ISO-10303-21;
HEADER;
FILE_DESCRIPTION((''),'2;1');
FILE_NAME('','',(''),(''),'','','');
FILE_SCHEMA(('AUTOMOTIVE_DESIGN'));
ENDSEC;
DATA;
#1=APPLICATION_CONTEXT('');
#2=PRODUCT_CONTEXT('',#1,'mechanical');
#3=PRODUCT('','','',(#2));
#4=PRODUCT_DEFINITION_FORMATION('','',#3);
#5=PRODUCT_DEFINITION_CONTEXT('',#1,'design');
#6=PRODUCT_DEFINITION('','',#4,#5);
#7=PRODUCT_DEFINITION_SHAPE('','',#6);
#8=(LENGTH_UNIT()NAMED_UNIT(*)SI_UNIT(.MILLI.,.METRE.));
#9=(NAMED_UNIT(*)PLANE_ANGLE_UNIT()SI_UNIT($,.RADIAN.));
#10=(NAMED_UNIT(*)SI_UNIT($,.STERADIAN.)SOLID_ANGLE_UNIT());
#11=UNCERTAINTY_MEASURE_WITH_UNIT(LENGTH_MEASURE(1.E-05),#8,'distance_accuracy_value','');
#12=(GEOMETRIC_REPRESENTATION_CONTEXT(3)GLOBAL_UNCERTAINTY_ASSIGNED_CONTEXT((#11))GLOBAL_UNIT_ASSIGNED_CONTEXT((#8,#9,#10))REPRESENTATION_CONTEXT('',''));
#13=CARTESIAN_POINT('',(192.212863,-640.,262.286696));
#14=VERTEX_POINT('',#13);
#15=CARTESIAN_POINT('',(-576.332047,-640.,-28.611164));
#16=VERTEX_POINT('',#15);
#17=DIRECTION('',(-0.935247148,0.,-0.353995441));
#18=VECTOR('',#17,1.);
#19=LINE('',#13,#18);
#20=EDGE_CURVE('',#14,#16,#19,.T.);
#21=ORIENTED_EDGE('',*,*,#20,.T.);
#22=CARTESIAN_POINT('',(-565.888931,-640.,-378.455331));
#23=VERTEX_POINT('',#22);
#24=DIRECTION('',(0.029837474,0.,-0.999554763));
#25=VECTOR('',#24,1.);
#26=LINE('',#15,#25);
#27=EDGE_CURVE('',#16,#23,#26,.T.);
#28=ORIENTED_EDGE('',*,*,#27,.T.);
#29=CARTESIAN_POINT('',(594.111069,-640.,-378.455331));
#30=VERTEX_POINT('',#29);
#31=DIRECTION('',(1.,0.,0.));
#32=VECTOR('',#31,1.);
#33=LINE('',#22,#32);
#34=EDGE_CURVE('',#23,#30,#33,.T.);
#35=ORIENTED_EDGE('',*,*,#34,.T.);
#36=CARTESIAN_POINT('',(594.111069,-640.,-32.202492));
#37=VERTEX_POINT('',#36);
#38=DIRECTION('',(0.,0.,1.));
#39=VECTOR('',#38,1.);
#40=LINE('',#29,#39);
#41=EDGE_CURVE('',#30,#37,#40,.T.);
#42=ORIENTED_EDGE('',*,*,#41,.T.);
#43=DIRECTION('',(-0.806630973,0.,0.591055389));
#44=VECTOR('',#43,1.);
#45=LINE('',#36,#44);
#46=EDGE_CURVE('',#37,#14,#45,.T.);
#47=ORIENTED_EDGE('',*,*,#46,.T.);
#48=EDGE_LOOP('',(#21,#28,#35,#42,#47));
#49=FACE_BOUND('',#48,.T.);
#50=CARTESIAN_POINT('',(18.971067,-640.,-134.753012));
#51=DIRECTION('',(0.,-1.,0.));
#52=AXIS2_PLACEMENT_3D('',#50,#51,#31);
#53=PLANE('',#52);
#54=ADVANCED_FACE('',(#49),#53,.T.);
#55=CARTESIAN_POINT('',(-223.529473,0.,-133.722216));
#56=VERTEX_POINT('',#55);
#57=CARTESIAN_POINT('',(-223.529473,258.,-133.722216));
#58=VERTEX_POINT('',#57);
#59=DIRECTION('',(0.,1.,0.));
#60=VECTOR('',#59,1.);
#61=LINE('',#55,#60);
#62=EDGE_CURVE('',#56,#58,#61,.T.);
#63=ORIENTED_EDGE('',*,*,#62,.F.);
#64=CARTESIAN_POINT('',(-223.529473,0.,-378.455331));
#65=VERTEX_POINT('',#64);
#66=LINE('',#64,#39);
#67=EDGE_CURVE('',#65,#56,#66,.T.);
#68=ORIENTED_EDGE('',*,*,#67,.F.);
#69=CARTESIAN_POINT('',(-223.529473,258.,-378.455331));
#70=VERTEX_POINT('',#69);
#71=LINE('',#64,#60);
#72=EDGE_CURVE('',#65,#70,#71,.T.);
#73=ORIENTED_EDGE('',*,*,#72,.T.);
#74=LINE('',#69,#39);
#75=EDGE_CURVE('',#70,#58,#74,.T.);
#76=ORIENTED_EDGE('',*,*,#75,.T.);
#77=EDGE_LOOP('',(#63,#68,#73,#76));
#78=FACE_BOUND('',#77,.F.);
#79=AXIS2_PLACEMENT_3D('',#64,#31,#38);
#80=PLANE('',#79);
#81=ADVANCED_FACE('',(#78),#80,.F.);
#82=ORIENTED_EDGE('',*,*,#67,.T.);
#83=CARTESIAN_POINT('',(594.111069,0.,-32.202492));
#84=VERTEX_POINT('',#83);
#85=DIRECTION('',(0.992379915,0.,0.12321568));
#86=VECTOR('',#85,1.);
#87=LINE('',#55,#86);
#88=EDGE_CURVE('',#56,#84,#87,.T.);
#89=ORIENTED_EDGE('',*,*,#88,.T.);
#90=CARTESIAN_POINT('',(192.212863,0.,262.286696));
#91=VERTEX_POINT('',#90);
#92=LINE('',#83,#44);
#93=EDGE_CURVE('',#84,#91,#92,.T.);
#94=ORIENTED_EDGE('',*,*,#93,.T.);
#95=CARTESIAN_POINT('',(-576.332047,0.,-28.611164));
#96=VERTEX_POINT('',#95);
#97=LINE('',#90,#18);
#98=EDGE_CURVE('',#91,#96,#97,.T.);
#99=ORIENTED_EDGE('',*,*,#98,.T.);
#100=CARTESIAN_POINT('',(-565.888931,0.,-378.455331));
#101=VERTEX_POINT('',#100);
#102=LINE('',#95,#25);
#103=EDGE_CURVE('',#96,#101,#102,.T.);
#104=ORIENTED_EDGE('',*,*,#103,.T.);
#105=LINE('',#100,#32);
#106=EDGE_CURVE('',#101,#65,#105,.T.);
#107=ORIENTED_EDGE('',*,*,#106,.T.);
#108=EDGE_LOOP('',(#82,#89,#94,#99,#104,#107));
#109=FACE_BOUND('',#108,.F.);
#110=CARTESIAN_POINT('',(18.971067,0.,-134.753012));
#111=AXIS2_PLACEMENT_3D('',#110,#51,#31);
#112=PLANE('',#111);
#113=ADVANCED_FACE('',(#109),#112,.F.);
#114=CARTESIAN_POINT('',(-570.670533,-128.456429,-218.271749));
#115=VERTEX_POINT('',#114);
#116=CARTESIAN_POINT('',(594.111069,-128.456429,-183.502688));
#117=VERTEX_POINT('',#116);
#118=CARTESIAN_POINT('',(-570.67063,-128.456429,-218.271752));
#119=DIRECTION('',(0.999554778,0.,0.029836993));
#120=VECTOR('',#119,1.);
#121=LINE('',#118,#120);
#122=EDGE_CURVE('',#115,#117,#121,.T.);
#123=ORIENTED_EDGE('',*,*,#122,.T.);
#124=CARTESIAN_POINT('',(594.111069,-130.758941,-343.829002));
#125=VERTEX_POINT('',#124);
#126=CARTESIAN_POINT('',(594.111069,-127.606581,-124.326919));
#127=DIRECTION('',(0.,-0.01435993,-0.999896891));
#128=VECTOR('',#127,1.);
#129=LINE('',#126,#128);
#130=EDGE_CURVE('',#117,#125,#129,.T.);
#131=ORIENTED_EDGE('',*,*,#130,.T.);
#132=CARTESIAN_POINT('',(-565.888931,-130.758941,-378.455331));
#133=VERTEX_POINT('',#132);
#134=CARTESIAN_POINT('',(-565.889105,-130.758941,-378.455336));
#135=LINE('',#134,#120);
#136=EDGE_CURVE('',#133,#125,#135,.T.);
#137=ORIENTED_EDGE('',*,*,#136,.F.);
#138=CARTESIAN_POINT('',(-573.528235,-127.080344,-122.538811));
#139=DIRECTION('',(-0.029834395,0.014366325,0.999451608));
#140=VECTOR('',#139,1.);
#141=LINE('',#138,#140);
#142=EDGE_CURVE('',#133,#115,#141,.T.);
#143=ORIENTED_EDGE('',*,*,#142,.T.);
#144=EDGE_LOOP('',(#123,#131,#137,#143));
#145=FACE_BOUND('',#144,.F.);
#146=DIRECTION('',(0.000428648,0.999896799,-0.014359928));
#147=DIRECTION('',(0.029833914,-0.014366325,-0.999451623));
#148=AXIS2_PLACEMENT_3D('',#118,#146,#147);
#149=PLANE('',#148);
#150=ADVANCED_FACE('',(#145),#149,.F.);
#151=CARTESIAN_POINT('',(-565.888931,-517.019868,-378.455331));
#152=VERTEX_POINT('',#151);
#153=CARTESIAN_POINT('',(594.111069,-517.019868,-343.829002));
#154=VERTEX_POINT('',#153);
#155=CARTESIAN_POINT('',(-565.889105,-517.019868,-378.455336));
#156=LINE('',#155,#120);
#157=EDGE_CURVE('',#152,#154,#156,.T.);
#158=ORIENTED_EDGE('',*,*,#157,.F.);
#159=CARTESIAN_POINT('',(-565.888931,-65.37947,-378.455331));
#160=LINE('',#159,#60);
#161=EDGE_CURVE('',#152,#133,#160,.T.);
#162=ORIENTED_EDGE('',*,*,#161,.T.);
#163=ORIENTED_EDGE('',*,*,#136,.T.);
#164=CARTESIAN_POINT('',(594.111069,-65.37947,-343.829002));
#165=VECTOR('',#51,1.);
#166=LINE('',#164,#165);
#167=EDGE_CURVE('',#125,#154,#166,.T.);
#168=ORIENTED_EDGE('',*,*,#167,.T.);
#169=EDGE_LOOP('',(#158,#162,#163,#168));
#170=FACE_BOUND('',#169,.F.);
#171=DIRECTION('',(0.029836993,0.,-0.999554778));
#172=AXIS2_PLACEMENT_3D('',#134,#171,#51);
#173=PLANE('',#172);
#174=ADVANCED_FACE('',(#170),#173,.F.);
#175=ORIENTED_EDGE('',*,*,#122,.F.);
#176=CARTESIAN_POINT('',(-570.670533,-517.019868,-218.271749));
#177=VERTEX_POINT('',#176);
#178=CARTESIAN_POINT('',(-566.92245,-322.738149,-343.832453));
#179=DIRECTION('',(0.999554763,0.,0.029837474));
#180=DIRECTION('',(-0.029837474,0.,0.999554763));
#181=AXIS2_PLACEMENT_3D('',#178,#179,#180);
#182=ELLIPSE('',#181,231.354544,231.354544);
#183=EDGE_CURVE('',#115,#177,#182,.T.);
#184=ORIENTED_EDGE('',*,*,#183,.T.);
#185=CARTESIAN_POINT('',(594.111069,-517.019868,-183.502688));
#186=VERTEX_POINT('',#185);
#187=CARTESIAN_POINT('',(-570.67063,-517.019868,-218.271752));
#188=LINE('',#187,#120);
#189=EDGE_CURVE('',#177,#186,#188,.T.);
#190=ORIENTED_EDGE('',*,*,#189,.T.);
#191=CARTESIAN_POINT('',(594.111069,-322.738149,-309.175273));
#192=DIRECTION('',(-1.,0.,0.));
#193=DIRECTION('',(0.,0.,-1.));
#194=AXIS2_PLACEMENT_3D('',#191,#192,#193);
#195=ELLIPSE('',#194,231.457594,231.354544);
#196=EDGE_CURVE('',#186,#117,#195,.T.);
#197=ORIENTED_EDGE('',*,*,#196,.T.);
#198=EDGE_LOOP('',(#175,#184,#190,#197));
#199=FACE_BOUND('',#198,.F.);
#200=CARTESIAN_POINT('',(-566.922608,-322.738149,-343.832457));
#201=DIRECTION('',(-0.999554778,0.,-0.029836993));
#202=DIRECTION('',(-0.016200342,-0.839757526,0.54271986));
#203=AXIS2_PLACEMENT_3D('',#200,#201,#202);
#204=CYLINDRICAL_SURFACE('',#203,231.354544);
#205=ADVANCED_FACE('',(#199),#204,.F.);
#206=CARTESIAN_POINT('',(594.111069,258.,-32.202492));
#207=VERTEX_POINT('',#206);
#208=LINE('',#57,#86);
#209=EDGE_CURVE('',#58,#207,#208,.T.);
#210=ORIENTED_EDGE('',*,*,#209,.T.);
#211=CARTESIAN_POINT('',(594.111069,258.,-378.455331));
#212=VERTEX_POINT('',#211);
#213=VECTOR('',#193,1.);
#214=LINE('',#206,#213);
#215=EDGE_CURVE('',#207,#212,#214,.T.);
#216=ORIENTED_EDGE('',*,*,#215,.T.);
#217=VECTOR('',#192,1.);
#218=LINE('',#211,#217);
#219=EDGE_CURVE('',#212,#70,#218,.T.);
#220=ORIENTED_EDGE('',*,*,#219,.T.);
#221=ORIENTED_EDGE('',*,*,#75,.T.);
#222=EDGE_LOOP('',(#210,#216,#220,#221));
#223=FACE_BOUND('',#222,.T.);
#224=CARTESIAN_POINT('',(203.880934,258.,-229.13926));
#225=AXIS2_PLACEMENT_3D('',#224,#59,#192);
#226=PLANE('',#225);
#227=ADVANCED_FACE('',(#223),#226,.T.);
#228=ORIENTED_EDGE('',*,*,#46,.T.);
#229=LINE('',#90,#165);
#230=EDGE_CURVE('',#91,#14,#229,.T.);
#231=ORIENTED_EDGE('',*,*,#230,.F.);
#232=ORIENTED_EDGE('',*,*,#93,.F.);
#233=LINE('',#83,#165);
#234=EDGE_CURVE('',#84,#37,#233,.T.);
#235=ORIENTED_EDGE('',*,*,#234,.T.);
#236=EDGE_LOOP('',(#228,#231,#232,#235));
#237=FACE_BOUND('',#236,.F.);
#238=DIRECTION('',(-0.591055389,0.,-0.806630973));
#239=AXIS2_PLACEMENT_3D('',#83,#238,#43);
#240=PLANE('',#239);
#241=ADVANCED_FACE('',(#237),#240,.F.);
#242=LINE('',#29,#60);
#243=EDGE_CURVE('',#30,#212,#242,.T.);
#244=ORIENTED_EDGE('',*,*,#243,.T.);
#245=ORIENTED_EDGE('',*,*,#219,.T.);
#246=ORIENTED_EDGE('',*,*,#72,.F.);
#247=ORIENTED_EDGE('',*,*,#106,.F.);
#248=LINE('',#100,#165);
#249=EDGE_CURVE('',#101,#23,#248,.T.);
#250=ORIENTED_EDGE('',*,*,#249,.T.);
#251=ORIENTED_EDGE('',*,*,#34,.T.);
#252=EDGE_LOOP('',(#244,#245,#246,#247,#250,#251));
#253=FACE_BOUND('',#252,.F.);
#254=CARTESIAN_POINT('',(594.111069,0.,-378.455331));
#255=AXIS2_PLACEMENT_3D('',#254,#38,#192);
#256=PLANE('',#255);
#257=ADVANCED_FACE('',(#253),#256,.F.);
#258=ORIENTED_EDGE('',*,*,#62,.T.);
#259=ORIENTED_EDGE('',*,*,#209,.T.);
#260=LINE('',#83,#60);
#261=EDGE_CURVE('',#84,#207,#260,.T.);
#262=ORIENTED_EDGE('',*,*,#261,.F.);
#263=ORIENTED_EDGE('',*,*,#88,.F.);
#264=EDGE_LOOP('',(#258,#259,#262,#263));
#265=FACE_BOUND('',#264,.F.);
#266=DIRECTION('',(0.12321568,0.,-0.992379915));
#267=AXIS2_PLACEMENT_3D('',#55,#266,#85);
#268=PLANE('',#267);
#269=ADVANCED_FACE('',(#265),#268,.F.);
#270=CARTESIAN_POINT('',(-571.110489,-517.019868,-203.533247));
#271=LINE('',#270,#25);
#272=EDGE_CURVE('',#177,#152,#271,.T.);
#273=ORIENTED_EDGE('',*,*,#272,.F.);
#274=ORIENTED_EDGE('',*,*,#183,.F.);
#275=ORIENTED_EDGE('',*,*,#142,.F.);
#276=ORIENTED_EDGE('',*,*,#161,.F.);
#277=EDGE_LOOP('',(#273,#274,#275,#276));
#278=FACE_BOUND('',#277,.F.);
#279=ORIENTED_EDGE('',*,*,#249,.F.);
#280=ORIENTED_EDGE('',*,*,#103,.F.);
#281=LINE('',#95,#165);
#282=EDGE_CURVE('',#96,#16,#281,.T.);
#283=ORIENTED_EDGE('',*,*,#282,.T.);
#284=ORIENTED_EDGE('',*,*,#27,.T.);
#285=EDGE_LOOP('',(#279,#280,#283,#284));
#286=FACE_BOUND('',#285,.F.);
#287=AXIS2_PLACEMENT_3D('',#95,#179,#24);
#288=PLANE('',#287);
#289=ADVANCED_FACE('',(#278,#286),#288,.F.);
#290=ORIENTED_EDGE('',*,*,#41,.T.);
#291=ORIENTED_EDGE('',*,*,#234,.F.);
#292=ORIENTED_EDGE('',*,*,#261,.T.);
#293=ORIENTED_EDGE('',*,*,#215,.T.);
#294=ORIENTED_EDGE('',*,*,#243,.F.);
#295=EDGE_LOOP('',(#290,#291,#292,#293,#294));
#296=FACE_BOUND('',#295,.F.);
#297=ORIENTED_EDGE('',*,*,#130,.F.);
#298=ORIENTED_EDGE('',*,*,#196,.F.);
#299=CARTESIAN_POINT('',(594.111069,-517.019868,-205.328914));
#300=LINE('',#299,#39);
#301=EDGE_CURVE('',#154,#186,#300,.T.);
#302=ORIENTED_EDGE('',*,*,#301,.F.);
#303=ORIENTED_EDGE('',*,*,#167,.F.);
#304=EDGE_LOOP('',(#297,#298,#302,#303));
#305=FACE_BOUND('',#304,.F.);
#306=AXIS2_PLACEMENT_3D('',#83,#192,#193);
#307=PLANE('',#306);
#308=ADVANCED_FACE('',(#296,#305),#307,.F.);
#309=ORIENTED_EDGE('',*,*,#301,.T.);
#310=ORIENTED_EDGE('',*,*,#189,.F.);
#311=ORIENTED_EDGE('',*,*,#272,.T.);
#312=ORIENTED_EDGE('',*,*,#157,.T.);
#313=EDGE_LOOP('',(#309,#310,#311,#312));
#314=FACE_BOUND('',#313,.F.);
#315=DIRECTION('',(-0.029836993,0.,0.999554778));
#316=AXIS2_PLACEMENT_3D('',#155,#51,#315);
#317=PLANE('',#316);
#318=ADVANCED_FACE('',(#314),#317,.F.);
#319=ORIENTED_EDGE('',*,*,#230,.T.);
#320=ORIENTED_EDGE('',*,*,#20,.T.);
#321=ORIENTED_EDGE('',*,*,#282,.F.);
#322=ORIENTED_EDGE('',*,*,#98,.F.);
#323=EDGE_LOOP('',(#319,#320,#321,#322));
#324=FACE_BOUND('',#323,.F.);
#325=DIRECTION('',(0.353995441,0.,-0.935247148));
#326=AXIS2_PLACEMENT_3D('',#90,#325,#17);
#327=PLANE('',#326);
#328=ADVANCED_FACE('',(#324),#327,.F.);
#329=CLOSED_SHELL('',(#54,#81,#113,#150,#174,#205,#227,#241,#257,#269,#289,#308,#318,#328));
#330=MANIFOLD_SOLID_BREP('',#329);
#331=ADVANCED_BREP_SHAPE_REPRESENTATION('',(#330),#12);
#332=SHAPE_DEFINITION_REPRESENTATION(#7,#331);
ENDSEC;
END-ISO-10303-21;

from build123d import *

# Parameters (mm, degrees)
F1_DEPTH = 640
F3_DEPTH = 258
F5_DEPTH = 1440


with BuildPart() as f1:
    # F0 (on Front) → F1 (new body)
    with BuildSketch(Plane.XZ):
        Polygon((-576.332047, -28.611164), (-565.888931, -378.455331), (594.111069, -378.455331), (594.111069, -32.202492), (192.212863, 262.286696), align=None)
    extrude(amount=F1_DEPTH)

    # F2 (on face) → F3 (join)
    with BuildSketch(Plane(origin=(0, 0, 0), x_dir=(-1, 0, 0), z_dir=(0, 1, 0))):
        Polygon((223.529473, -133.722216), (-594.111069, -32.202492), (-594.111069, -378.455331), (223.529473, -378.455331), align=None)
    extrude(amount=F3_DEPTH)

    # F4 (on face) → F5 (cut)
    with BuildSketch(Plane(origin=(-576.672258, 0, -17.214108), x_dir=(0, -1, 0), z_dir=(-0.999555, 0, -0.029837))):
        with BuildLine():
            Line((128.456429, -201.147199), (130.758941, -361.402132))
            Line((130.758941, -361.402132), (517.019868, -361.402132))
            Line((517.019868, -361.402132), (517.019868, -201.147199))
            ThreePointArc((517.019868, -201.147199), (322.738148, -95.409288), (128.456429, -201.147199))
        make_face()
    extrude(amount=-F5_DEPTH, mode=Mode.SUBTRACT)


solid = f1.part
